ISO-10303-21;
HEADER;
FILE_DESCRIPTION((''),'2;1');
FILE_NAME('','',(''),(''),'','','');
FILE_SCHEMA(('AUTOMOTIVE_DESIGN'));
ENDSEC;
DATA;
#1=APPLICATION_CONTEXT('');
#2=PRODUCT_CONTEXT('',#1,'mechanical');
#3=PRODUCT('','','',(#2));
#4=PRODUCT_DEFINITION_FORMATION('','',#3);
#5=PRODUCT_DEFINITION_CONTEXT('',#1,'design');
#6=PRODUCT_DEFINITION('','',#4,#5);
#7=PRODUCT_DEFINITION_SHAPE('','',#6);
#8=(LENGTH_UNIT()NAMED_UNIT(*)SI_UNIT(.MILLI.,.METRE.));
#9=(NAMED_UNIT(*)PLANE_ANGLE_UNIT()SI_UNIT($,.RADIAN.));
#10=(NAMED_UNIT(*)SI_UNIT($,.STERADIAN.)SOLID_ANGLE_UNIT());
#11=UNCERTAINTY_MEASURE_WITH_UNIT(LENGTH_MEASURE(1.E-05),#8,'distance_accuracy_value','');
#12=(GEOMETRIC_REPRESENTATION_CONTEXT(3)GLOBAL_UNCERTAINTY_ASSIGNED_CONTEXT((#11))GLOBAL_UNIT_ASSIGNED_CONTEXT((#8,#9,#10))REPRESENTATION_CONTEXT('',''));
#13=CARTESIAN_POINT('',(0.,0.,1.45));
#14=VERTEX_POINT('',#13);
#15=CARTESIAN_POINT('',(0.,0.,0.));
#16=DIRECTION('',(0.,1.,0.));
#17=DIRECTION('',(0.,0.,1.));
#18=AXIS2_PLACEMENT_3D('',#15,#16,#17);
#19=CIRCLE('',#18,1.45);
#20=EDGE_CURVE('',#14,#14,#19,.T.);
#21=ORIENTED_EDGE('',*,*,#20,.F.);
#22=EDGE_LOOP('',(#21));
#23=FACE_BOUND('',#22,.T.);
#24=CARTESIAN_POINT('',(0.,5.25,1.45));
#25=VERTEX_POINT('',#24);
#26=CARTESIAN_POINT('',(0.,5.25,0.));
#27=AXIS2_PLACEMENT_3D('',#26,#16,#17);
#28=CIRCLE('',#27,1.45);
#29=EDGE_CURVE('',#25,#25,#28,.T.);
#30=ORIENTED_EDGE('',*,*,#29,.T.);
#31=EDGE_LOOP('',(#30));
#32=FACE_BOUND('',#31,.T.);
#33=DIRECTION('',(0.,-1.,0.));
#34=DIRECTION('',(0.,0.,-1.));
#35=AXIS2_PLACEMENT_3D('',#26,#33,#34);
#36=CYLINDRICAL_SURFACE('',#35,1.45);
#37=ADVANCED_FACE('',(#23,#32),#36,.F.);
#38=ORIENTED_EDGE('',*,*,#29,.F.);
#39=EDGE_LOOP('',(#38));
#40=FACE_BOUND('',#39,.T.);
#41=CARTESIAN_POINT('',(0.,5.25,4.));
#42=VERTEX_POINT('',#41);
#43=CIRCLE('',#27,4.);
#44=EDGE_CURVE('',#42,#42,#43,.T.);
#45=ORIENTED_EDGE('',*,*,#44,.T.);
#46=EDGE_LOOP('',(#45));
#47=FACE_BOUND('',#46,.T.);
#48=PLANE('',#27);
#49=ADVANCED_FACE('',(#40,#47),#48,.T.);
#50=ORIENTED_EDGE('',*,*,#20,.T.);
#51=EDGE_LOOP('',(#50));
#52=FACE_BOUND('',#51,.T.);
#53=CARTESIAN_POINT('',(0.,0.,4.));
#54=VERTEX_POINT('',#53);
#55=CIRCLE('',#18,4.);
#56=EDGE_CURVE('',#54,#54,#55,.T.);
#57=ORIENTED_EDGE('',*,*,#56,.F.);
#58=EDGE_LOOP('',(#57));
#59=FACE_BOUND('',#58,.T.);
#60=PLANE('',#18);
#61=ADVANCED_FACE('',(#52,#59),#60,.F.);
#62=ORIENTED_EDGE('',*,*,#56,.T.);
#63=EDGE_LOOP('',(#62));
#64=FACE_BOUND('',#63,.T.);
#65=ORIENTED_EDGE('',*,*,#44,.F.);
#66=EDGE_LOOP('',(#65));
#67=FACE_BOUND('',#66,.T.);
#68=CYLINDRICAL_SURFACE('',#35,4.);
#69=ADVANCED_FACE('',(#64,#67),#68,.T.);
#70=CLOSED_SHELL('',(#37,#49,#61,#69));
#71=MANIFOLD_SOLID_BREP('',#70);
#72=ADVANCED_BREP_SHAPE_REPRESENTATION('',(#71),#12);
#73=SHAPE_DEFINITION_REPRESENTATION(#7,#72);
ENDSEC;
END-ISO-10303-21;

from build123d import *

# Parameters (mm, degrees)
ESQUISSE1_R        = 4
ESQUISSE1_R_2      = 1.45
BOSS_EXTRU_1_DEPTH = 5.25


with BuildPart() as part:
    # Esquisse1 → Boss.-Extru.1 (new body)
    with BuildSketch(Plane(origin=(0, 0, 0), x_dir=(1, 0, 0), z_dir=(0, 1, 0))):
        Circle(ESQUISSE1_R)
        Circle(ESQUISSE1_R_2, mode=Mode.SUBTRACT)
    extrude(amount=BOSS_EXTRU_1_DEPTH)


solid = part.part
